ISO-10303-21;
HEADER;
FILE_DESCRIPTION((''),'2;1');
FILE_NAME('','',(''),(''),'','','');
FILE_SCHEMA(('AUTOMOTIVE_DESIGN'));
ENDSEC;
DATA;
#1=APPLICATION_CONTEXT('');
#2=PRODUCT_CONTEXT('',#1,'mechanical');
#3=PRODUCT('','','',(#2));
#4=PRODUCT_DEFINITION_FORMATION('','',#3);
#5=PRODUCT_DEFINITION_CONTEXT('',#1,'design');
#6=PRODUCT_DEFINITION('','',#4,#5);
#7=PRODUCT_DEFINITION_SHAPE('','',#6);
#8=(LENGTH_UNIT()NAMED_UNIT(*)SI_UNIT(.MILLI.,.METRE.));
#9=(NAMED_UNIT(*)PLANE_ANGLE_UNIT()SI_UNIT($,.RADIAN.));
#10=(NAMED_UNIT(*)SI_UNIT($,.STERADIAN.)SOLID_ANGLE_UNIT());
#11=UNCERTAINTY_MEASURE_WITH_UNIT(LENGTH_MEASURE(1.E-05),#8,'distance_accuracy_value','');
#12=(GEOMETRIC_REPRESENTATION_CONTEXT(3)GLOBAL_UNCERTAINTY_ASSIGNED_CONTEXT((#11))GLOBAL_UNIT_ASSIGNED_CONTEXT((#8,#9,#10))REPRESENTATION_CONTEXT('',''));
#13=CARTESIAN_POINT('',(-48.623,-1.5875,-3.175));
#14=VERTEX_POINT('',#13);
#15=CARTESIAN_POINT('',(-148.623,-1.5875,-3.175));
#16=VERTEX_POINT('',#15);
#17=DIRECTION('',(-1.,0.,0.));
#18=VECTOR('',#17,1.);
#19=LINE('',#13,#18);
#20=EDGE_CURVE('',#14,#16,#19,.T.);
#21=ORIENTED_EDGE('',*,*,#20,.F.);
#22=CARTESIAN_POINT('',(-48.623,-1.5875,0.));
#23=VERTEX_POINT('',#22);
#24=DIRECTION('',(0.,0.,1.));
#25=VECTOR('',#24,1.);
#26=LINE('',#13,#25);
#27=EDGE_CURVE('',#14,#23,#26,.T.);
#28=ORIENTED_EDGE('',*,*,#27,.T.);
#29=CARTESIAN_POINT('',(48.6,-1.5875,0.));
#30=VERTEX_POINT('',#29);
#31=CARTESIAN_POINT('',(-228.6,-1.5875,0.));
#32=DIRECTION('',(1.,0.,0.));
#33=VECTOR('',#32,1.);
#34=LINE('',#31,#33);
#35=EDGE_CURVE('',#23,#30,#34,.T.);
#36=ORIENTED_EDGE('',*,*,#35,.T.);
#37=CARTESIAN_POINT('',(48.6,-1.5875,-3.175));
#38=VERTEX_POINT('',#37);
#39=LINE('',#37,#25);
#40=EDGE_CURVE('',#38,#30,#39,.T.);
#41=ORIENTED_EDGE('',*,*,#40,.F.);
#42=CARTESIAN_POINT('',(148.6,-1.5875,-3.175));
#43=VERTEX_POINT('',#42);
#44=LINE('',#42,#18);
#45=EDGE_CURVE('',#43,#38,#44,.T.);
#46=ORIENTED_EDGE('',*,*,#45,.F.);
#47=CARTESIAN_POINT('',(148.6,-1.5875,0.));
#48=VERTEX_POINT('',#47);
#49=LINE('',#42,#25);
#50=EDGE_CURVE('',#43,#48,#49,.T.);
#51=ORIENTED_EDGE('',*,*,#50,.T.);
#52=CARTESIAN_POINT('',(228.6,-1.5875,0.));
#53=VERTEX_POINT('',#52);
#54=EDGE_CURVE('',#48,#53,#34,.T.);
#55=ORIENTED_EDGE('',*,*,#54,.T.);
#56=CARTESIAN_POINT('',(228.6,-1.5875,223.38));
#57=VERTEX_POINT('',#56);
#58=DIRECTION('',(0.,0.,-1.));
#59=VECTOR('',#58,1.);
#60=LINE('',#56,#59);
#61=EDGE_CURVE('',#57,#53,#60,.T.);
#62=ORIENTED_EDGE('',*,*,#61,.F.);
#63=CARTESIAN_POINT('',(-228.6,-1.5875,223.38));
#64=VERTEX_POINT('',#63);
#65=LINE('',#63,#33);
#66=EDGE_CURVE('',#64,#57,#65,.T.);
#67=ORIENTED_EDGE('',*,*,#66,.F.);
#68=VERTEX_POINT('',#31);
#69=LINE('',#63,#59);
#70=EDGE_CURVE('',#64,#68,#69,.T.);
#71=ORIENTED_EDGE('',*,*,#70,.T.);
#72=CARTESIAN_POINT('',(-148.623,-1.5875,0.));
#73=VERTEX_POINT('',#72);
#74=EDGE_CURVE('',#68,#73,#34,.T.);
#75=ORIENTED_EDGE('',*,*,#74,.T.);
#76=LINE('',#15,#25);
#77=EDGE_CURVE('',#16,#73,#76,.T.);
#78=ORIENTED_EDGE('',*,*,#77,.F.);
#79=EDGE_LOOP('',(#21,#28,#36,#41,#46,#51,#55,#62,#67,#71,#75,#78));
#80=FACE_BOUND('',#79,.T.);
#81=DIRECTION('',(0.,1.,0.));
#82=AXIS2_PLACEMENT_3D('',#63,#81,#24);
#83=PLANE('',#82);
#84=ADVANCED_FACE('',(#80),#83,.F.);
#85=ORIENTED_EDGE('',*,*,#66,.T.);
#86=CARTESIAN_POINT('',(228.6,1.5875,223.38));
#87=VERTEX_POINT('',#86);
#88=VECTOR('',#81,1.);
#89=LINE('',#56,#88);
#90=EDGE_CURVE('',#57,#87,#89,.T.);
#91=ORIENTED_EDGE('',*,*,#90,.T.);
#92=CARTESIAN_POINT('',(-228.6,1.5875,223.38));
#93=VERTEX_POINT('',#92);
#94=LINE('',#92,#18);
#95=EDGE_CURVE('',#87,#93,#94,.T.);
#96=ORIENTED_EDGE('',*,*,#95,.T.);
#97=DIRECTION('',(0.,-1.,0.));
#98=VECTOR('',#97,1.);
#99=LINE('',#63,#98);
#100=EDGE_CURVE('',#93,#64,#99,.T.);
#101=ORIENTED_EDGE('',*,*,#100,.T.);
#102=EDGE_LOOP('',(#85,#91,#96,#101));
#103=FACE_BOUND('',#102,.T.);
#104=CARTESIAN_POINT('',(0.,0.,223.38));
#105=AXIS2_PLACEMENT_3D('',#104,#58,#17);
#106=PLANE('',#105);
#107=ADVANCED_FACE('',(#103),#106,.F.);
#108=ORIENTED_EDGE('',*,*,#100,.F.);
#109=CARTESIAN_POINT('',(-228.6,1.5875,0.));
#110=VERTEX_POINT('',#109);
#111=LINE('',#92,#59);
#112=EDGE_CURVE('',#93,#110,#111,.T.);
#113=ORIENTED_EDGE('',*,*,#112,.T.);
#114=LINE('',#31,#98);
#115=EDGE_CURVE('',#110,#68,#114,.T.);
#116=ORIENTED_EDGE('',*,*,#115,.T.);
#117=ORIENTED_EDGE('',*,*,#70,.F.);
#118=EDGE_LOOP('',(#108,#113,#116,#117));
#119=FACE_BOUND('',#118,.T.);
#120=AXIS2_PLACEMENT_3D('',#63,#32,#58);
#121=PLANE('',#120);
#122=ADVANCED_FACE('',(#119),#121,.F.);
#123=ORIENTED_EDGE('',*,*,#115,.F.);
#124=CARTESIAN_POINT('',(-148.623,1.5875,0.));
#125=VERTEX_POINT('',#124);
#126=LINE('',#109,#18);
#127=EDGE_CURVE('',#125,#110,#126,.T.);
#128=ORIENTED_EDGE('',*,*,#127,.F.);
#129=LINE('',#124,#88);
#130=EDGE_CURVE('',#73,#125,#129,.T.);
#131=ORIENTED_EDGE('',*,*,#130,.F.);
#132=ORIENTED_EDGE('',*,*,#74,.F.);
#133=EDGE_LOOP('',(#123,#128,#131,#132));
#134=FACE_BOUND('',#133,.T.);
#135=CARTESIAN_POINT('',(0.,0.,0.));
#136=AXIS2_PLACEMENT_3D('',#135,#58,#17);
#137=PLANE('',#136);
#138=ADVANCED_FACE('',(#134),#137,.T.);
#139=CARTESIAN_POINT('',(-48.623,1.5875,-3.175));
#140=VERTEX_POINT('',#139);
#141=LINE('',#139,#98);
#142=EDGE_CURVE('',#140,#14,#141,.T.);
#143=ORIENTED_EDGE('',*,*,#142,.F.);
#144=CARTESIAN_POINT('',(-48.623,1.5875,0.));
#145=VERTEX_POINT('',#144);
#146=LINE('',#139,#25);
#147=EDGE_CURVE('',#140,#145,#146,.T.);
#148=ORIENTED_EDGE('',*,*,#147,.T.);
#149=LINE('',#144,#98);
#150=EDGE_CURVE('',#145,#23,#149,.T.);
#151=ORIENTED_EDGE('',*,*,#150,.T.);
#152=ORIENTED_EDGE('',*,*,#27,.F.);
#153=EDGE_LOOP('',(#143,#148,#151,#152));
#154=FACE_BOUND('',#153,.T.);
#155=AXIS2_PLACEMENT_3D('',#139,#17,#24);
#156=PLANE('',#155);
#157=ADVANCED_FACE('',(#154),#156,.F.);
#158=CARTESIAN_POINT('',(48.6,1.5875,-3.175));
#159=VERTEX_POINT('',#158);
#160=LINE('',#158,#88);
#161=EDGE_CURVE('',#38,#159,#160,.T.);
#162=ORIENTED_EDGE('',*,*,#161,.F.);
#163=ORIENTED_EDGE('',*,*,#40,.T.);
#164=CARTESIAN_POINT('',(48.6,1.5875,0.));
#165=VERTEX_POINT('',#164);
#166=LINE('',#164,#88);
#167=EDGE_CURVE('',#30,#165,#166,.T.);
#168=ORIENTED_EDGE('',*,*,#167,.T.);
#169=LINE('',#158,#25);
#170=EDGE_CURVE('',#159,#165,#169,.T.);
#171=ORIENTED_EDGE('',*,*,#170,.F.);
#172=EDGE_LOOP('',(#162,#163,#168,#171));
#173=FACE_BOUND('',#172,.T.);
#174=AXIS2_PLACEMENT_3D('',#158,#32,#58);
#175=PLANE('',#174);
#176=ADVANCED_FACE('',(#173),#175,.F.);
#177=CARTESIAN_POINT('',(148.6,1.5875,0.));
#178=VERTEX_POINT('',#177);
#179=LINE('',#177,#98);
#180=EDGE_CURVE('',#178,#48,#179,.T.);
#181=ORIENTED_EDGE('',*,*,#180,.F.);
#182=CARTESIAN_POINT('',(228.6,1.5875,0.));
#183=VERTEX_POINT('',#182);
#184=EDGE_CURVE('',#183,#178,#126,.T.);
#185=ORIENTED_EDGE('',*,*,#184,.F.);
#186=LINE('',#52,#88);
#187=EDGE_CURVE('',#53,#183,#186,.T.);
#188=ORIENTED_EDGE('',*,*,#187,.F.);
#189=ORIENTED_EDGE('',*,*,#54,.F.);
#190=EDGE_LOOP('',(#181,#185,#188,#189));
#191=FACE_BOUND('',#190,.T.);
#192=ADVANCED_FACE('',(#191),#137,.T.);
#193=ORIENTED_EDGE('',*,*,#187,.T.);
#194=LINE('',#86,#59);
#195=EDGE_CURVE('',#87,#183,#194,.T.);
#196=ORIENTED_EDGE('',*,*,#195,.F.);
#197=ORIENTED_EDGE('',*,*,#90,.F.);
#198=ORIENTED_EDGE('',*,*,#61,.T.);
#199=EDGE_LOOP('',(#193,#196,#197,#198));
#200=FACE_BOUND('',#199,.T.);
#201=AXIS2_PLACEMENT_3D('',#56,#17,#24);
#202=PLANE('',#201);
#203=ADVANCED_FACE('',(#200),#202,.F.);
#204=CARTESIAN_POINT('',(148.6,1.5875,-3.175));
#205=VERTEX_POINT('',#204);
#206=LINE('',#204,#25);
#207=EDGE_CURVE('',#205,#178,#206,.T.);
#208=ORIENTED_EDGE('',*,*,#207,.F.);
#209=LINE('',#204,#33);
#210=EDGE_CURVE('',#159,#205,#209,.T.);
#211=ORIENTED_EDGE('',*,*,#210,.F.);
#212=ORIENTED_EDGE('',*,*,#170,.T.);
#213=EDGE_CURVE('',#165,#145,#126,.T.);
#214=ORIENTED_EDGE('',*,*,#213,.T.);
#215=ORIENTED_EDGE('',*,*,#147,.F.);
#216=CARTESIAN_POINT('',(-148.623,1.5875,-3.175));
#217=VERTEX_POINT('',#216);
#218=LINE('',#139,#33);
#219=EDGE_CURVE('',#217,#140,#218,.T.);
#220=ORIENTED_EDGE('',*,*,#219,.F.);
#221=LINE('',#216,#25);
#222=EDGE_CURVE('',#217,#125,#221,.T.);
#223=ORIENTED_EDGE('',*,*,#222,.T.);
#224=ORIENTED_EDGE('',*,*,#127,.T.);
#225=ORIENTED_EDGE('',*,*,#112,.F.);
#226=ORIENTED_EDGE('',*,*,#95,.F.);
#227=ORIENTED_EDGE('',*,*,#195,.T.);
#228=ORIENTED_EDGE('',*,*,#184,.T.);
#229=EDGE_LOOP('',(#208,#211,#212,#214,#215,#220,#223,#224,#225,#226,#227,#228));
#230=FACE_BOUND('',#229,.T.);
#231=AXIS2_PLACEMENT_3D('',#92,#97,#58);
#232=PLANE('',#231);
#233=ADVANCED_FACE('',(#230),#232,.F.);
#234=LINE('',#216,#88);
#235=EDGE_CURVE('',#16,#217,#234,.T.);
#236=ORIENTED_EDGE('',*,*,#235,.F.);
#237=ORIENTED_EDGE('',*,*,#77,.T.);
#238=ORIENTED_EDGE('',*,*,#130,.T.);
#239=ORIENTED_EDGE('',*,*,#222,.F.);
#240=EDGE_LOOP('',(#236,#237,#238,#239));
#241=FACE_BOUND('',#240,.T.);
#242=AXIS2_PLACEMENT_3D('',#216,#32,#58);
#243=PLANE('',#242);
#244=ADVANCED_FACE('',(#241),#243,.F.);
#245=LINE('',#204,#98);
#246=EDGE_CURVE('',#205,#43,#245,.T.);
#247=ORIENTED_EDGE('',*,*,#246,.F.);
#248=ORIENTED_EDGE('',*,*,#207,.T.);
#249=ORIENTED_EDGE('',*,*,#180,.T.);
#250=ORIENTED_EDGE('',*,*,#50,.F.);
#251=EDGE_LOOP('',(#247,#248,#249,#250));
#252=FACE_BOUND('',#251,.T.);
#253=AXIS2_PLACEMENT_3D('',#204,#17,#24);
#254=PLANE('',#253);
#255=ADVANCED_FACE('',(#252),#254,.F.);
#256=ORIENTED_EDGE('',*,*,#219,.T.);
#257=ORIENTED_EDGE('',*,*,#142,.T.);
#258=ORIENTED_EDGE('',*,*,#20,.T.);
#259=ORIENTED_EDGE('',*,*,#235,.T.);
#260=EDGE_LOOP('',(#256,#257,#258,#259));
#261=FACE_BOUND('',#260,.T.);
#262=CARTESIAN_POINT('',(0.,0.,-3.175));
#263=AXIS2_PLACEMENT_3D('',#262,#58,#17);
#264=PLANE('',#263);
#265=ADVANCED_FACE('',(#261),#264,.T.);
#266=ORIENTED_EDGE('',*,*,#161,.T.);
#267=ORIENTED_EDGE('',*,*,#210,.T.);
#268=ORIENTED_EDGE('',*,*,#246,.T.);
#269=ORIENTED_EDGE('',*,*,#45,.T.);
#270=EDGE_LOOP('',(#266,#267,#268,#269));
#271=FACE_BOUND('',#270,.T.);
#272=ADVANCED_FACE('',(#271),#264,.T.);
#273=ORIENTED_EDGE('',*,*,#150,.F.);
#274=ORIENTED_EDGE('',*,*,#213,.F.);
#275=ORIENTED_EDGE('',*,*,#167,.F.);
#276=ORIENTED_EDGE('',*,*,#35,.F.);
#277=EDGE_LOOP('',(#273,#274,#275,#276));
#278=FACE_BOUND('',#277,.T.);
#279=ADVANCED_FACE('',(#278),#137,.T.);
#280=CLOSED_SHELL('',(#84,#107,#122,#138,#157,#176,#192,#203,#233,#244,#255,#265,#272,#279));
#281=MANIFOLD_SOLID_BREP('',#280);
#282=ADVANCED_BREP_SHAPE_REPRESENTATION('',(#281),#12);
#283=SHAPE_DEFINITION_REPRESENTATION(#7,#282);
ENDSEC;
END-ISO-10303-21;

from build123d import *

# Parameters (mm, degrees)
SKETCH1_W           = 457.2
SKETCH1_H           = 3.175
BOSS_EXTRUDE1_DEPTH = 223.380000026
SKETCH2_W           = 100
SKETCH2_H           = 3.175
BOSS_EXTRUDE2_DEPTH = 3.175


with BuildPart() as part:
    # Sketch1 → Boss-Extrude1 (new body)
    with BuildSketch(Plane.XY):
        Rectangle(SKETCH1_W, SKETCH1_H)
    extrude(amount=BOSS_EXTRUDE1_DEPTH)

    # Sketch2 → Boss-Extrude2 (add)
    with BuildSketch(Plane(origin=(0, 0, 0), x_dir=(-1, 0, 0), z_dir=(0, 0, -1))):
        with Locations((-98.6, 0)):
            Rectangle(SKETCH2_W, SKETCH2_H)
        with Locations((98.623, 0)):
            Rectangle(SKETCH2_W, SKETCH2_H)
    extrude(amount=BOSS_EXTRUDE2_DEPTH)


solid = part.part
